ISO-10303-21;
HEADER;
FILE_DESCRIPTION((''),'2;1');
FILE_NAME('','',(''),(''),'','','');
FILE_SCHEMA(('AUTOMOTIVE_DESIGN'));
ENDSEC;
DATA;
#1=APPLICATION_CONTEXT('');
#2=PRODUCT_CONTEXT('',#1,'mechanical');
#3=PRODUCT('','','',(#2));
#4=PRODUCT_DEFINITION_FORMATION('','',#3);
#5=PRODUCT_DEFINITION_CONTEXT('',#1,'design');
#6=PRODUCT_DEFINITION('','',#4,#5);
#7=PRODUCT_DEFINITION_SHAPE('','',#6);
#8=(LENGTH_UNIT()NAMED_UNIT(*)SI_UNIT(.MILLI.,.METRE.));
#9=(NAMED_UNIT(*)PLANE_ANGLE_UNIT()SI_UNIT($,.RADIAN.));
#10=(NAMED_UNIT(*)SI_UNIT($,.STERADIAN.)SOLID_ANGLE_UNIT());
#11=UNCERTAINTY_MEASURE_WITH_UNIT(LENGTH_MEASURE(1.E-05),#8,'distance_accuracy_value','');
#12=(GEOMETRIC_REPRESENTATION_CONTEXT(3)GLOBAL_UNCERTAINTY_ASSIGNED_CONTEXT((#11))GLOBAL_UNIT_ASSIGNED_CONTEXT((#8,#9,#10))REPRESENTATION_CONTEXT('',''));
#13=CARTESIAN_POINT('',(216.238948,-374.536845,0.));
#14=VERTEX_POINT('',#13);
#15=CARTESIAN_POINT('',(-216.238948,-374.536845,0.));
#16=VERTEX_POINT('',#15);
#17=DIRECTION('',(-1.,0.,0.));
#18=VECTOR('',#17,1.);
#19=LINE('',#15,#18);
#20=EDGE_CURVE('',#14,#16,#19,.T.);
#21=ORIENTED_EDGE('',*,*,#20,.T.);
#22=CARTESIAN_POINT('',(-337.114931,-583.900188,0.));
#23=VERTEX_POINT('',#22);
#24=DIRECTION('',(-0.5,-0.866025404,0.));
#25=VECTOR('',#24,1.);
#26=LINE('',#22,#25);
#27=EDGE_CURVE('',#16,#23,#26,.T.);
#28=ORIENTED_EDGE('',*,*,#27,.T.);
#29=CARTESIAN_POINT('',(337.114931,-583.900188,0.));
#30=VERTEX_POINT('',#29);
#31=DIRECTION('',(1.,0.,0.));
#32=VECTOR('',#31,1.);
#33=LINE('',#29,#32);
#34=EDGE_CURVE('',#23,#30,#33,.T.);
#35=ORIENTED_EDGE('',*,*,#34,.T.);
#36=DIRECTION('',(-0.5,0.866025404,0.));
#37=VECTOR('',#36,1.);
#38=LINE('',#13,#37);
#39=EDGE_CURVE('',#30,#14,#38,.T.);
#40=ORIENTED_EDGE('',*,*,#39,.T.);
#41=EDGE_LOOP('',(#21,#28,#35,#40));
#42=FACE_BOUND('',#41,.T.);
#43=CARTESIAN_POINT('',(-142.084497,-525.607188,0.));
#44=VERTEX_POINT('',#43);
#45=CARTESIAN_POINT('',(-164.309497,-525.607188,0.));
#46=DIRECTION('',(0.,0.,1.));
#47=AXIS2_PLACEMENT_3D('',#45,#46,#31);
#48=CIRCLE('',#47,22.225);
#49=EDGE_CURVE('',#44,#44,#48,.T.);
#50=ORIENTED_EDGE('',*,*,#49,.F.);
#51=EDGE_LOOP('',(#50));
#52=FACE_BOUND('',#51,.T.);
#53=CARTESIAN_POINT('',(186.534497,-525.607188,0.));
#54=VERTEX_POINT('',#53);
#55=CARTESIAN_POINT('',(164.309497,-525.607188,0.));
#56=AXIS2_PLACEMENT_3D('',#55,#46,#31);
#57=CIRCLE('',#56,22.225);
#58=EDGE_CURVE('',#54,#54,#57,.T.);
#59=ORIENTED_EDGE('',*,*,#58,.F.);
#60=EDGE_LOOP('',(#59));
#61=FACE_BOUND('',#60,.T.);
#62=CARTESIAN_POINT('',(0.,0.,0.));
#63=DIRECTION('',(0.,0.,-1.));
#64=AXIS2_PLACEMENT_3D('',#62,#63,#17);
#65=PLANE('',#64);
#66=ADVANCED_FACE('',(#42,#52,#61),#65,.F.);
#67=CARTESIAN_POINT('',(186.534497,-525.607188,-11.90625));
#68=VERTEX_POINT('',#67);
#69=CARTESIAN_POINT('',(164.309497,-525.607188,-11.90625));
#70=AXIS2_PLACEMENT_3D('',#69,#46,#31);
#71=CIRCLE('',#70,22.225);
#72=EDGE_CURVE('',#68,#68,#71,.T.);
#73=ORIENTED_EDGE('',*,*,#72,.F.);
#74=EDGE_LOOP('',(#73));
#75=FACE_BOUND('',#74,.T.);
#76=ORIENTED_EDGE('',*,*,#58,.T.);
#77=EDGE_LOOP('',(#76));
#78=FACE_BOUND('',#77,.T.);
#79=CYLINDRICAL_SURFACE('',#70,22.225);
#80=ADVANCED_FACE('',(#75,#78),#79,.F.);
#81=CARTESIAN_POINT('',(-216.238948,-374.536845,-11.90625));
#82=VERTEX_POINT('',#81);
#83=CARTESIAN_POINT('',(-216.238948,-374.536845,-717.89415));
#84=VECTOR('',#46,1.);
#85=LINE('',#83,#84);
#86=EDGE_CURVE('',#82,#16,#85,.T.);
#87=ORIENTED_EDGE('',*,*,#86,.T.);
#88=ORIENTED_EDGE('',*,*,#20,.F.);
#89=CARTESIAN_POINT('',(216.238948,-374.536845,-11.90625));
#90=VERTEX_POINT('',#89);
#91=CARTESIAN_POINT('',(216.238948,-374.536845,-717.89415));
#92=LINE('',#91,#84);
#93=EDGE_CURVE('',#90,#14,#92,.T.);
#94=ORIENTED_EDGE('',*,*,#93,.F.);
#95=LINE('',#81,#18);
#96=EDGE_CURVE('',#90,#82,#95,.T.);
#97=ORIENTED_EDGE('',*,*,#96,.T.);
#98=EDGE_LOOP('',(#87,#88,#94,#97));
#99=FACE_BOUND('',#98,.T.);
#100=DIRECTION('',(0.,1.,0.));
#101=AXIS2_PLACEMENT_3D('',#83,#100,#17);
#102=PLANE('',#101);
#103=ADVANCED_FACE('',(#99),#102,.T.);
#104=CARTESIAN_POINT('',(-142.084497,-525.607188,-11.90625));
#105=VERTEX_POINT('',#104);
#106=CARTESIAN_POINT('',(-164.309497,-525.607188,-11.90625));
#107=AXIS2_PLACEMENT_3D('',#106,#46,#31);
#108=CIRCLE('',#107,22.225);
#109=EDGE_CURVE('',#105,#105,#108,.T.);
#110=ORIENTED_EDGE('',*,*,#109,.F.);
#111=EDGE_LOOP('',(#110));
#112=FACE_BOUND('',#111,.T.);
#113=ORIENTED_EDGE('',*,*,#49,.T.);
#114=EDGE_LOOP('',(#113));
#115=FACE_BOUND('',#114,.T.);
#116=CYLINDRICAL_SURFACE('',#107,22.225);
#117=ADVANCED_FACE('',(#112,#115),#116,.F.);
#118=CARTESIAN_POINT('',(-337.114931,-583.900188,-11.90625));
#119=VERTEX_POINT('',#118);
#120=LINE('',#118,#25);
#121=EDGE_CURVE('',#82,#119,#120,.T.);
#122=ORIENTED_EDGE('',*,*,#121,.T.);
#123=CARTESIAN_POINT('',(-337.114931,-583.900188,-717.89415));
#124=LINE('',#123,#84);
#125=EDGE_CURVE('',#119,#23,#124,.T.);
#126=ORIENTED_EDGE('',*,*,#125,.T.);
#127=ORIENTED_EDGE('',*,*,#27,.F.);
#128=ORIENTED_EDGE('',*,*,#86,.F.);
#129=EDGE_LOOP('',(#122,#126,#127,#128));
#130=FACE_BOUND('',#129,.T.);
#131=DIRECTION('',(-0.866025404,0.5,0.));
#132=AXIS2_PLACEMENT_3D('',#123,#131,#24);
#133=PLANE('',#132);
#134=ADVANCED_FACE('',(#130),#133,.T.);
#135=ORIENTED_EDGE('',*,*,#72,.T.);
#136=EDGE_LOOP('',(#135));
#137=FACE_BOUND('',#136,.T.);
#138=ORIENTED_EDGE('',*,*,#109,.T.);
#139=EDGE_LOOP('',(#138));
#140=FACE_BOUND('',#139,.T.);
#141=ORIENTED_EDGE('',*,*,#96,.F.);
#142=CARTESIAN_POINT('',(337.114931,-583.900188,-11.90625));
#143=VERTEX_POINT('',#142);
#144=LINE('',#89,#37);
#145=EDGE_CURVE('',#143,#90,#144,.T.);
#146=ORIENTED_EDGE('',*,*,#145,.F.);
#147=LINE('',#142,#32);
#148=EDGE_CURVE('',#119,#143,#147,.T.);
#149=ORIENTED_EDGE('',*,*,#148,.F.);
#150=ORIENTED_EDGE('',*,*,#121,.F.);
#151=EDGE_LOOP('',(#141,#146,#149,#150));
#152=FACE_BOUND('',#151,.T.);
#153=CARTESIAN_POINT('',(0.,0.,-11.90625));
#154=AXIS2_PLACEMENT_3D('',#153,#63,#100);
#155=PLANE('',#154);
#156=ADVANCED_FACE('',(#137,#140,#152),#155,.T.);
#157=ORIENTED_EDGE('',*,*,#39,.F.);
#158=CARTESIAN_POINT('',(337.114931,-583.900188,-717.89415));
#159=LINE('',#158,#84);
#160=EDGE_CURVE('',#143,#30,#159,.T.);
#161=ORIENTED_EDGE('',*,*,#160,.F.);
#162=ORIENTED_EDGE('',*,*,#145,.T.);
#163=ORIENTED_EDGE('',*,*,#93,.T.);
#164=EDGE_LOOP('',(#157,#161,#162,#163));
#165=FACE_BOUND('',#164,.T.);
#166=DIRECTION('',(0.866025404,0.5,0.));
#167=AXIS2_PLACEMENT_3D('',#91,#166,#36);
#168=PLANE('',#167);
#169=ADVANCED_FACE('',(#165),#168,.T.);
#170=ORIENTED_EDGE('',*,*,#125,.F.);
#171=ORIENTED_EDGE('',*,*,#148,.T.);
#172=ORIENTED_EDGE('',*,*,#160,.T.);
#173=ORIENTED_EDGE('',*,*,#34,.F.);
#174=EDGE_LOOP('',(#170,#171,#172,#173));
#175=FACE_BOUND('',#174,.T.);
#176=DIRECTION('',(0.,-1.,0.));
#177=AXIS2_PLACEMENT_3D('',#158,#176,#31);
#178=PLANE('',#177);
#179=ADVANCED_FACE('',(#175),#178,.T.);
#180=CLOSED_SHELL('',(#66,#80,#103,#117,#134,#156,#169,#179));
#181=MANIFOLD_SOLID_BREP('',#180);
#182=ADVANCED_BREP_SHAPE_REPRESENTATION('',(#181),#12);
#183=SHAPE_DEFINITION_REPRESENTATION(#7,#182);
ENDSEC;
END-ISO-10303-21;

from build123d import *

# Parameters (mm, degrees)
BOSS_EXTRUDE1_DEPTH = 11.90625
SKETCH2_R           = 22.225
CUT_EXTRUDE1_DEPTH  = 12.90625


with BuildPart() as part:
    # Sketch1 → Boss-Extrude1 (new body)
    with BuildSketch(Plane.XY):
        Polygon((-337.114930678, -583.900187925), (-216.238948081, -374.536844651), (216.238948081, -374.536844651), (337.114930678, -583.900187925), align=None)
    extrude(amount=-BOSS_EXTRUDE1_DEPTH)

    # Sketch2 → Cut-Extrude1 (cut, through all)
    with BuildSketch(Plane.XY):
        with Locations((-164.309496882, -525.607187925)):
            Circle(SKETCH2_R)
        with Locations((164.309496882, -525.607187925)):
            Circle(SKETCH2_R)
    extrude(amount=-CUT_EXTRUDE1_DEPTH, mode=Mode.SUBTRACT)


solid = part.part
